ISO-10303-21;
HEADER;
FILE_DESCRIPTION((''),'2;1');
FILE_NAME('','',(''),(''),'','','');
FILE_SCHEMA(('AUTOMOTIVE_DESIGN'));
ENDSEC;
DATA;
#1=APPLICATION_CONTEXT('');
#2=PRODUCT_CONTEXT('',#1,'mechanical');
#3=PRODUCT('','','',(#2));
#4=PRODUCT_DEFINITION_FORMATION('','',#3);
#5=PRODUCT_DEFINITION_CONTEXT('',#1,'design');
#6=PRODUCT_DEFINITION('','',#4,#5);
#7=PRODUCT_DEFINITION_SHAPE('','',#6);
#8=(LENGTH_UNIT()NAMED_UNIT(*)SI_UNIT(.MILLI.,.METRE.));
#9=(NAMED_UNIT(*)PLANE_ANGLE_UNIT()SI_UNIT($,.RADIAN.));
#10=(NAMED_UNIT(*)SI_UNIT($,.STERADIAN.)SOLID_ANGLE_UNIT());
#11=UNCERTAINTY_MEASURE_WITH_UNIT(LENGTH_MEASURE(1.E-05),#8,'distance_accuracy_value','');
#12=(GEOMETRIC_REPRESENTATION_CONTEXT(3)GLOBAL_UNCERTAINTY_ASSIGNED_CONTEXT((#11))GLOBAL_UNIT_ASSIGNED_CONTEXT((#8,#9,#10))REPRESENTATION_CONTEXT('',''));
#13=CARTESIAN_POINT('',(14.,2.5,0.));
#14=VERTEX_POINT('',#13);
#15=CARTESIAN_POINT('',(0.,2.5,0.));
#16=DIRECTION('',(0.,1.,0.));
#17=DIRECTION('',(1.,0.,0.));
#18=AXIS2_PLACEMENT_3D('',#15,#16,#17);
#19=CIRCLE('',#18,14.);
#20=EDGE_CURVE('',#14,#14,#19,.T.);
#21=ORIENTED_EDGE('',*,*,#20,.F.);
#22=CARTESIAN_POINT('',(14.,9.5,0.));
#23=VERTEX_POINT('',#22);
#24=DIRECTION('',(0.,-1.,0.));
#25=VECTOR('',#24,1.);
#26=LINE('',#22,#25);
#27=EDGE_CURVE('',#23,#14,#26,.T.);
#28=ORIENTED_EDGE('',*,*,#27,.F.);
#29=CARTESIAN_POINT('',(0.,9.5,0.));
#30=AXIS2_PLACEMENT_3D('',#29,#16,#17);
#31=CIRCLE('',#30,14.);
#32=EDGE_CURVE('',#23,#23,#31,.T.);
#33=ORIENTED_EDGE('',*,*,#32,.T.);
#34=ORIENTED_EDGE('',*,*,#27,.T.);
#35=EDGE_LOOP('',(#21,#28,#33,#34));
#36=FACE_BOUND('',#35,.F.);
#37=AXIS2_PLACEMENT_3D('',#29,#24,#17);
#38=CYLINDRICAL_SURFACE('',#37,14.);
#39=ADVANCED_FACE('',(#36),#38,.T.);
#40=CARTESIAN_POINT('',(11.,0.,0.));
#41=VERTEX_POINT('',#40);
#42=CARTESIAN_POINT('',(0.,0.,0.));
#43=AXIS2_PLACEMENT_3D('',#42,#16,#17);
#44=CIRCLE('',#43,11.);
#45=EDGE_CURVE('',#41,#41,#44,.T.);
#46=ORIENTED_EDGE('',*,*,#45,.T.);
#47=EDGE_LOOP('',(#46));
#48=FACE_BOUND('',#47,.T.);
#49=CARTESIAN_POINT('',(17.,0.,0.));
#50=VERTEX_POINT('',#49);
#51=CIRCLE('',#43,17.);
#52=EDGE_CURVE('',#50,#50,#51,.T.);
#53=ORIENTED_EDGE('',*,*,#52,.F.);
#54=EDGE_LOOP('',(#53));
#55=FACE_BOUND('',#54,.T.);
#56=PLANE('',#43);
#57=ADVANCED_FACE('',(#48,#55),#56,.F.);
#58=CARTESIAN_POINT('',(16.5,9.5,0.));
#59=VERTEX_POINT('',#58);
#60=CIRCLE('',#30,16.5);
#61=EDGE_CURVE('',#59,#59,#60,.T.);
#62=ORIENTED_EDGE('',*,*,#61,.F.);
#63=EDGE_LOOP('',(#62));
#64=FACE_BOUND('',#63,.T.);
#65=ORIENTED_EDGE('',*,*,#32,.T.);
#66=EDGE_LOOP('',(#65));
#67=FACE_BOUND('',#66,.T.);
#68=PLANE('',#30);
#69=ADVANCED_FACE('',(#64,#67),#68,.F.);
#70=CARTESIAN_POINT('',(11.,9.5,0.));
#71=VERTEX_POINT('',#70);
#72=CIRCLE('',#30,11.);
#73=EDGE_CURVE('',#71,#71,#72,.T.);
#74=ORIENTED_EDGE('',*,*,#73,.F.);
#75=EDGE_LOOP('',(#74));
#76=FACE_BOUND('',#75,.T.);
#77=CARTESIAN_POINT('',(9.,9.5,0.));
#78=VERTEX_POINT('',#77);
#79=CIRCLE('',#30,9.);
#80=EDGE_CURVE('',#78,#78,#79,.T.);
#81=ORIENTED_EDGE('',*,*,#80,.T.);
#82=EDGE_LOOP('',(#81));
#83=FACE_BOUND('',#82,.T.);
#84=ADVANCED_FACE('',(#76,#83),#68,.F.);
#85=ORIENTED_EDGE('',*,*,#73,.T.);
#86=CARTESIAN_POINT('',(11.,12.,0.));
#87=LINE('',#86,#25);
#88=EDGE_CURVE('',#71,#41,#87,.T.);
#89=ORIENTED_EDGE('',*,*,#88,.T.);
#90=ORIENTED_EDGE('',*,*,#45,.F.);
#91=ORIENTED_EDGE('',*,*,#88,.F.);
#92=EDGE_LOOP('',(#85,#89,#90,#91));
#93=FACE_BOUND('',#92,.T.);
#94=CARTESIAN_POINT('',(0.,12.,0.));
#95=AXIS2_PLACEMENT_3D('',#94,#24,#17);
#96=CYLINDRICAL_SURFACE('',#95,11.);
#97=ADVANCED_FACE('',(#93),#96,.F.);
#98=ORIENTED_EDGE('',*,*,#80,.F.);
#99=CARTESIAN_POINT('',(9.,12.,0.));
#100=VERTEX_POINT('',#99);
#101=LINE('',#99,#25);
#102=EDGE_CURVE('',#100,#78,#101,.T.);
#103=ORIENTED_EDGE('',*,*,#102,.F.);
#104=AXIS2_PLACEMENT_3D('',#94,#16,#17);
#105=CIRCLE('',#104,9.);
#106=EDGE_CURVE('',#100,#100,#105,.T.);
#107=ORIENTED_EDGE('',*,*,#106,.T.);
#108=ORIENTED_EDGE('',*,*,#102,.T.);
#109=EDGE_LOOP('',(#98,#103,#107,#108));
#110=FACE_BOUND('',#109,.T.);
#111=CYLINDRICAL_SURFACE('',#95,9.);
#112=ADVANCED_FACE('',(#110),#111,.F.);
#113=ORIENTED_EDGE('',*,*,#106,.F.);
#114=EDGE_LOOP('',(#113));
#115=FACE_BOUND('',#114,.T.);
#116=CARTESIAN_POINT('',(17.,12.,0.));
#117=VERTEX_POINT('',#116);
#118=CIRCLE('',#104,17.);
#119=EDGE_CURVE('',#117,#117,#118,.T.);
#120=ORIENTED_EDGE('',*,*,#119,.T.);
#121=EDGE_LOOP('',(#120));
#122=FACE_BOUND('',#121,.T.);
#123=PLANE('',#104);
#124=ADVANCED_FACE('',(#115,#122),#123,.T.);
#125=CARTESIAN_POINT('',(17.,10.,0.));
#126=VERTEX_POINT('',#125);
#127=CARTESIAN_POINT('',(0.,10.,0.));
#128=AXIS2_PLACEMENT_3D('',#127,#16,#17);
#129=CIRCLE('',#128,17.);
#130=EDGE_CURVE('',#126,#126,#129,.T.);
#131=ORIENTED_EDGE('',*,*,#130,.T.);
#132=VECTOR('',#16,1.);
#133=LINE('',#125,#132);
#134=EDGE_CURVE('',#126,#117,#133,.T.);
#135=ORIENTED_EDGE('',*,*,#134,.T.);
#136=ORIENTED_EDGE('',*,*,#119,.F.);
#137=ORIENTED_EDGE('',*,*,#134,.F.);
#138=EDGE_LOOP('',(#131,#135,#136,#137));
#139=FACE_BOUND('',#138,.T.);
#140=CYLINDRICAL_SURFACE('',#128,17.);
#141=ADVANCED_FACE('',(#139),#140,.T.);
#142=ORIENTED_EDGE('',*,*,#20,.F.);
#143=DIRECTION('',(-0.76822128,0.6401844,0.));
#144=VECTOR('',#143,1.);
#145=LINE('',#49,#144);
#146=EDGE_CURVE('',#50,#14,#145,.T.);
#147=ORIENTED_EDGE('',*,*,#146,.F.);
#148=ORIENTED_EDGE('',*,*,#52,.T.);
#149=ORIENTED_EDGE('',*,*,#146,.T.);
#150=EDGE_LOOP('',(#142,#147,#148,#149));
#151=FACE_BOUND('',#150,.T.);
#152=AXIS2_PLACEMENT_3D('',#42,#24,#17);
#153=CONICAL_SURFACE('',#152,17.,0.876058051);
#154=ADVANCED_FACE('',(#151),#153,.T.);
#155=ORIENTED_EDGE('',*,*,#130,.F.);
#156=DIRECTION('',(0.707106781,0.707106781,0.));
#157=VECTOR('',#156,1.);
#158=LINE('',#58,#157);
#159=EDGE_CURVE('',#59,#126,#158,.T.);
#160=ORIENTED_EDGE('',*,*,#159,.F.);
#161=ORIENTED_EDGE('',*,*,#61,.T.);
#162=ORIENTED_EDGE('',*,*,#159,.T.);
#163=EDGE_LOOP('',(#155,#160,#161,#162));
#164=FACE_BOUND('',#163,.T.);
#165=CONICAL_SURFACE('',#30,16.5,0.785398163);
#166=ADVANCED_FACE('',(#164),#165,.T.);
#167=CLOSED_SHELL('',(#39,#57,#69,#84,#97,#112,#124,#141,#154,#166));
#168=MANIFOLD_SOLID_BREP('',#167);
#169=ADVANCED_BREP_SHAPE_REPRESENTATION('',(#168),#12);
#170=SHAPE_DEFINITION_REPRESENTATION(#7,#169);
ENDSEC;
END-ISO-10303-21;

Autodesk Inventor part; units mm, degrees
ref_plane "YZ Plane" through (0, 0, 0) normal (1, 0, 0) x (0, 1, 0)
ref_plane "XZ Plane" through (0, 0, 0) normal (0, 1, 0) x (-1, 0, 0)
ref_plane "XY Plane" through (0, 0, 0) normal (0, 0, 1) x (1, 0, 0)
sketch "Sketch1" plane through (0, 0, 0) normal (0, 0, 1) x (1, 0, 0)
  line L0 (11, 0) -> (17, 0)
  line L1 (17, 0) -> (17, 12) construction
  line L2 (17, 12) -> (11, 12)
  line L3 (11, 12) -> (11, 0)
  line L4 (0, 0) -> (0, 8.5122) construction
  line L5 (14, 9.5) -> (14, 2.5)
  line L6 (14, 9.5) -> (16.5, 9.5)
  line L7 (16.5, 9.5) -> (17, 10)
  line L8 (17, 0) -> (14, 2.5)
  line L9 (17, 10) -> (17, 12)
  line L10 (11, 12) -> (9, 12)
  line L11 (9, 12) -> (9, 9.5)
  line L12 (9, 9.5) -> (11, 9.5)
  line L13 (11, 9.5) -> (11, 12)
  point P0 (17, 0.6699)
  point P1 (17, 6)
  point P2 (15.2143, 7.5754)
  point P3 (15.2143, 2.4246)
  point P4 (14, 6)
  point P5 (17.7886, 0.302)
  point P6 (11, 6)
  dimension "d6" = 12
  dimension "d7" = 11
  dimension "d14" = 6
  dimension "d17" = 7
  dimension "d18" = 2.5
  dimension "d19" = 135
  dimension "d20" = 3
  dimension "d21" = 2
  dimension "d22" = 2.5
revolve "Revolution1" add sketch "Sketch1" angle 360 about axis through (0, 0, 0) along (0, 1, 0)
properties part number "pully 22mmx34mmx10mm"
